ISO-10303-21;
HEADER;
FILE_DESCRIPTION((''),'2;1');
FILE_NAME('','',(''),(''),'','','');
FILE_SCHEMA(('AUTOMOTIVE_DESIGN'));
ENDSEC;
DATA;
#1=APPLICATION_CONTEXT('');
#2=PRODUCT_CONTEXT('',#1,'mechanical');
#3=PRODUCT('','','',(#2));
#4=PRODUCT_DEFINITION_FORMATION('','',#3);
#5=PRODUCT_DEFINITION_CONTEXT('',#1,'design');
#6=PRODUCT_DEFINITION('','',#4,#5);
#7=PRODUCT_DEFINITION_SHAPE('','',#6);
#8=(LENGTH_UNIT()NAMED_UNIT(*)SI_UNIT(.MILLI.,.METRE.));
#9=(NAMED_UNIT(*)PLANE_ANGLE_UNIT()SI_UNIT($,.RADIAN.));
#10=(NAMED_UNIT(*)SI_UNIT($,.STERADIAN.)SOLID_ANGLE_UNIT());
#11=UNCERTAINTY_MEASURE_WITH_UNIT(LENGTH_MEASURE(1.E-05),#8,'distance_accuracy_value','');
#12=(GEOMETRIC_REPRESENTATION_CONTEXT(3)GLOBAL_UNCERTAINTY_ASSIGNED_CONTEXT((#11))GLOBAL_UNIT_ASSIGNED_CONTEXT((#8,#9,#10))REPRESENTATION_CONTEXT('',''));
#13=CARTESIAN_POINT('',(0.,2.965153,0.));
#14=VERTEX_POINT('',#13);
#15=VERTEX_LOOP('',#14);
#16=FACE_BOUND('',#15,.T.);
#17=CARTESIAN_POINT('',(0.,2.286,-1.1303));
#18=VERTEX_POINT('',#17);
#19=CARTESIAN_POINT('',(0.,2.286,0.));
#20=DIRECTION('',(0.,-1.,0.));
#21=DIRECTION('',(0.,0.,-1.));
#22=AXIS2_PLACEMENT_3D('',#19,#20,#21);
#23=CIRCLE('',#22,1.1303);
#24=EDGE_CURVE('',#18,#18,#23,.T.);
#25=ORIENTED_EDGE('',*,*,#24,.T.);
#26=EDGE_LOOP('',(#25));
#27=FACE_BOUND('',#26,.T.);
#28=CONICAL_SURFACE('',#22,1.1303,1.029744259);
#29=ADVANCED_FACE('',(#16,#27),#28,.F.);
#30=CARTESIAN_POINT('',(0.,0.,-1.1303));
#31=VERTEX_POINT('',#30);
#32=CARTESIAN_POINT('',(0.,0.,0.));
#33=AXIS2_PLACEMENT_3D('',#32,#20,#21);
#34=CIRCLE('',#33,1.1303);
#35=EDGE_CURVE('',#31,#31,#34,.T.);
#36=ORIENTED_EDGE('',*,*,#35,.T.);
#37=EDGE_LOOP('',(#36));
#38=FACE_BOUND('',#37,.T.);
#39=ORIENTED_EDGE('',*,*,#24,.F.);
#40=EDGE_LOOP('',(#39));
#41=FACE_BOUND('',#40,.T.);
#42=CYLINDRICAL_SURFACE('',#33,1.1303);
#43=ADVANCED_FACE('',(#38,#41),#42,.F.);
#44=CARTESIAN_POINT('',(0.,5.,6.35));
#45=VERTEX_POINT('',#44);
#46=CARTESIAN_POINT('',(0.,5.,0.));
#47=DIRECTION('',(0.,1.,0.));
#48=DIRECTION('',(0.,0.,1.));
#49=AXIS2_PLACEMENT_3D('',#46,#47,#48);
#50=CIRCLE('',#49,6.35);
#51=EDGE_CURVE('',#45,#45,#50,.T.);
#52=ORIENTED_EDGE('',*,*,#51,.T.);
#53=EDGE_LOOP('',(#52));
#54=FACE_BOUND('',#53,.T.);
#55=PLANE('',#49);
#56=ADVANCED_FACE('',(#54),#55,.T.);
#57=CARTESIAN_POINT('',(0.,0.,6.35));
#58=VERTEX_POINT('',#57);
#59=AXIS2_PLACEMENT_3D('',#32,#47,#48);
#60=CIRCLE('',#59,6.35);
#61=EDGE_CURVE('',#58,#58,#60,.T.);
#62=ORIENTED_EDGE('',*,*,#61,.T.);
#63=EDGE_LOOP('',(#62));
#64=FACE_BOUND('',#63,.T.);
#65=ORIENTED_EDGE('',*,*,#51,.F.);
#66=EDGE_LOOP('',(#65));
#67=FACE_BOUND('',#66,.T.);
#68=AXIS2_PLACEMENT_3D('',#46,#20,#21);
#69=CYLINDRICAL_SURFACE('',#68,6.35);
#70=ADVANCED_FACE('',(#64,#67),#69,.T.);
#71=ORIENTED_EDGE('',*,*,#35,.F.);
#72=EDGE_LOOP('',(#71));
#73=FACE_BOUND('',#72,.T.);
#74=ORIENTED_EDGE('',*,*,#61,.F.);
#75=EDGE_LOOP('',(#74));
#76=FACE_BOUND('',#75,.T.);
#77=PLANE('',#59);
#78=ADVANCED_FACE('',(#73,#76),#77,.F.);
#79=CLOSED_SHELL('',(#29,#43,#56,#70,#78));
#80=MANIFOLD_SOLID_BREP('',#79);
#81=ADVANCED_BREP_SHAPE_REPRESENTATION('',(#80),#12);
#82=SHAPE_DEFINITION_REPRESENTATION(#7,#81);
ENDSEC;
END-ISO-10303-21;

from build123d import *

# Parameters (mm, degrees)
SKETCH1_R                     = 6.35
BOSS_EXTRUDE1_DEPTH           = 5
TAP_DRILL_FOR_4_40_TAP1_D     = 2.2606
TAP_DRILL_FOR_4_40_TAP1_DEPTH = 2.286
TAP_DRILL_FOR_4_40_TAP1_TIP   = 0.679152758


with BuildPart() as part:
    # Sketch1 → Boss-Extrude1 (new body)
    with BuildSketch(Plane(origin=(0, 0, 0), x_dir=(1, 0, 0), z_dir=(0, 1, 0))):
        with Locations(Location((0, 0, 0), (0, 0, 270))):
            Circle(SKETCH1_R)
    extrude(amount=BOSS_EXTRUDE1_DEPTH)

    # Tap Drill for #4-40 Tap1
    with Locations(Plane(origin=(0, 0, 0), x_dir=(-1, 0, 0), z_dir=(0, -1, 0))):
        with Locations((0, 0)):
            Hole(TAP_DRILL_FOR_4_40_TAP1_D / 2, depth=TAP_DRILL_FOR_4_40_TAP1_DEPTH)
            with Locations((0, 0, -(TAP_DRILL_FOR_4_40_TAP1_DEPTH + TAP_DRILL_FOR_4_40_TAP1_TIP / 2))):  # 118° drill point
                Cone(0, TAP_DRILL_FOR_4_40_TAP1_D / 2, TAP_DRILL_FOR_4_40_TAP1_TIP, mode=Mode.SUBTRACT)


solid = part.part
